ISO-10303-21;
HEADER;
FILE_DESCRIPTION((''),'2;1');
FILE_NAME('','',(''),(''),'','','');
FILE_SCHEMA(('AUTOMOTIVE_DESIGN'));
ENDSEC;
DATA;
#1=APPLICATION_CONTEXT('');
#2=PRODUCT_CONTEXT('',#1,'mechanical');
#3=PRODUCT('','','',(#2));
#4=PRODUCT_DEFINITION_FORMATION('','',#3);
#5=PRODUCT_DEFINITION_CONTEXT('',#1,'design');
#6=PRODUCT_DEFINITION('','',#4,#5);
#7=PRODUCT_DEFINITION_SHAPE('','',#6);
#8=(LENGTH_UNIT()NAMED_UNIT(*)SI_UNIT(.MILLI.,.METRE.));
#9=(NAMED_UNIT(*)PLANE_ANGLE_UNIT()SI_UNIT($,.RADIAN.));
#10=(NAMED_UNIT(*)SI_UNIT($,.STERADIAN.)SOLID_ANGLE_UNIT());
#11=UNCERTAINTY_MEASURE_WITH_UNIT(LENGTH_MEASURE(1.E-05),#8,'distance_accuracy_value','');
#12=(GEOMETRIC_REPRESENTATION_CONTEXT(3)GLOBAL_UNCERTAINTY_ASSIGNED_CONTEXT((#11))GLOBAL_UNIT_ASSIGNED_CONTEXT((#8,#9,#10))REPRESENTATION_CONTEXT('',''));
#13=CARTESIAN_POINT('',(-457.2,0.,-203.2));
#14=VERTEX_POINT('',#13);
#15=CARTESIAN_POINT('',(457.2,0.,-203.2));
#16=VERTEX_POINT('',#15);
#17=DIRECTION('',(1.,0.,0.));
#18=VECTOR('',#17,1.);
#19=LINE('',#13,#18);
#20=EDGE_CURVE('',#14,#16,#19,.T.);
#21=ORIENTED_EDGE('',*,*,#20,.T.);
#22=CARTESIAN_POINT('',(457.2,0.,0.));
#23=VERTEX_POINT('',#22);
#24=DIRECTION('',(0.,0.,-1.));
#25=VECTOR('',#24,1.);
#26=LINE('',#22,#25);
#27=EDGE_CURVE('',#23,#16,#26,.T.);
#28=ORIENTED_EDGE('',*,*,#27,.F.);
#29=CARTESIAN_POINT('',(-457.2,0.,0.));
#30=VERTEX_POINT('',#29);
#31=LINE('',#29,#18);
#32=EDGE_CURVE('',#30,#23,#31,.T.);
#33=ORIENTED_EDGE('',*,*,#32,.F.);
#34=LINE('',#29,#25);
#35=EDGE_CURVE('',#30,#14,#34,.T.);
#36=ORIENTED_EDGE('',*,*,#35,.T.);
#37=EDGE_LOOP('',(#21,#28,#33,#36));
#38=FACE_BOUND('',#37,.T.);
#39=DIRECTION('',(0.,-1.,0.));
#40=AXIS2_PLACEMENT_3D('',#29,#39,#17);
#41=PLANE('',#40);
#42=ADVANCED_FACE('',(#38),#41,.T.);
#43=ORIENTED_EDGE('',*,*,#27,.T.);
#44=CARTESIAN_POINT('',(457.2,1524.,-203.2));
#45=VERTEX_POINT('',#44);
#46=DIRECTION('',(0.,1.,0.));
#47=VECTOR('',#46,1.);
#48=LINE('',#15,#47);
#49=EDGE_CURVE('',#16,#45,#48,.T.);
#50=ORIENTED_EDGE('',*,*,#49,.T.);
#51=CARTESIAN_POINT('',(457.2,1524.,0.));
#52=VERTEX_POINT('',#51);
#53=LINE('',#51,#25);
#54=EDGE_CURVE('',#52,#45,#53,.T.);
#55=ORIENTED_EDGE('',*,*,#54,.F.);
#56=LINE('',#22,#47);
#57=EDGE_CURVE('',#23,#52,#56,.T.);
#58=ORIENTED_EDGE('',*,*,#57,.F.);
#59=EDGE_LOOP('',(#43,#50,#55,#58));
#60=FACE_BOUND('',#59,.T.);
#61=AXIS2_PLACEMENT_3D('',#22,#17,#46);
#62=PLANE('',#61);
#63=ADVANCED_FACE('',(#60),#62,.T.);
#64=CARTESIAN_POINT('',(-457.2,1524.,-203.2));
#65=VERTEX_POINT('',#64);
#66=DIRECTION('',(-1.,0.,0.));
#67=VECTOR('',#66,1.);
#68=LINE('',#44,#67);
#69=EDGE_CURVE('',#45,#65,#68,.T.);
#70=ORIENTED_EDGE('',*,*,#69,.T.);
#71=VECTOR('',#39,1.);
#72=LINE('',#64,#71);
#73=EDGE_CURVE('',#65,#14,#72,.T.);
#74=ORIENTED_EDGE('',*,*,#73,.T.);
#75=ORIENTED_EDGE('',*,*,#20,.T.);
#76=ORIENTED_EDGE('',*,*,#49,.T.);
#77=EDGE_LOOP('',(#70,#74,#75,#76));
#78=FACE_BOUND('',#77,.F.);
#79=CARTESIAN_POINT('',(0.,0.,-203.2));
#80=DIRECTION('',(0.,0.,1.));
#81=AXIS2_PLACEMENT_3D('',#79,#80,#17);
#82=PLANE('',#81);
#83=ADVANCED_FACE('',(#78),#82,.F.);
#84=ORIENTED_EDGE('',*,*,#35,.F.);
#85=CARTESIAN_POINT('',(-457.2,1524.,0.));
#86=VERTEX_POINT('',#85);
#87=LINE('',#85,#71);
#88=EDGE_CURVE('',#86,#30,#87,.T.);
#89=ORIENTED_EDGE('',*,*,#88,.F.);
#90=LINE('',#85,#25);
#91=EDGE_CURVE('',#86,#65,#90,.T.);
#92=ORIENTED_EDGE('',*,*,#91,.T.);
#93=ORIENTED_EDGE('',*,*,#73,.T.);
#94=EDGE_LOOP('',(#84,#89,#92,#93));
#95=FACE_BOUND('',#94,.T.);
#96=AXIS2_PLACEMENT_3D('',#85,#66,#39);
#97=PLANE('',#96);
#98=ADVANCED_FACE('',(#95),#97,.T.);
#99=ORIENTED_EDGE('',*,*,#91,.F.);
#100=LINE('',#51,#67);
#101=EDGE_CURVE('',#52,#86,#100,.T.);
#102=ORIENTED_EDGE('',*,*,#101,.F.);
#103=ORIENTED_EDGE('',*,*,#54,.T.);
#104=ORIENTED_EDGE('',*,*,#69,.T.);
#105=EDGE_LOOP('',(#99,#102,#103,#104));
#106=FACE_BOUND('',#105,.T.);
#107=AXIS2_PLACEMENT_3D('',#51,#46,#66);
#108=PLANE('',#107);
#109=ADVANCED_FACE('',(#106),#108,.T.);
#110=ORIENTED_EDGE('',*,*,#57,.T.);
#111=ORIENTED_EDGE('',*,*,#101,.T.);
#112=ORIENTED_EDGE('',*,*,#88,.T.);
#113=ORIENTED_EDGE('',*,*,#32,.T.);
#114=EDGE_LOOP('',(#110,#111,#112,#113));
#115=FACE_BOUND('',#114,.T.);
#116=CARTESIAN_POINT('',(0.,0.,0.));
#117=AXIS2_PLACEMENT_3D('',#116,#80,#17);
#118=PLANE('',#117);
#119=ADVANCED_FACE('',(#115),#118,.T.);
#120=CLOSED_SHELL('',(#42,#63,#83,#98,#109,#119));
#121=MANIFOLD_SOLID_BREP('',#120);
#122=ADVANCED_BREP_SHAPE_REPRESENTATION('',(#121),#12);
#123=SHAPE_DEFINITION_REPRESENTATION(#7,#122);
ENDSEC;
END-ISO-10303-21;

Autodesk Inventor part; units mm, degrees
ref_plane "PLANE IN" through (0, 0, 0) normal (0, 1, 0) x (-1, 0, 0)
ref_plane "PLANE OUT" through (0, 1524, 0) normal (0, 1, 0) x (-1, 0, 0)
ref_plane "PLANE CTR" through (0, 0, 0) normal (1, 0, 0) x (0, 1, 0)
ref_plane "PLANE RH" through (457.2, 0, 0) normal (1, 0, 0) x (0, 1, 0)
ref_plane "PLANE LH" through (-457.2, 0, 0) normal (1, 0, 0) x (0, 1, 0)
ref_plane "PLANE TOP" through (0, 0, 0) normal (0, 0, 1) x (1, 0, 0)
ref_plane "PLANE BOT" through (0, 0, -203.2) normal (0, 0, 1) x (1, 0, 0)
ref_plane "PLANE HANDLE RH" through (558.8, 0, 0) normal (1, 0, 0) x (0, 1, 0)
ref_plane "PLANE HANDLE LH" through (-558.8, 0, 0) normal (1, 0, 0) x (0, 1, 0)
ref_plane "PLANE HANDLE IN" through (0, 63.5, 0) normal (0, 1, 0) x (-1, 0, 0)
ref_plane "PLANE HANDLE OUT" through (0, 1460.5, 0) normal (0, 1, 0) x (-1, 0, 0)
ref_plane "PLANE HANDLE TOP" through (0, 0, -63.5) normal (0, 0, 1) x (1, 0, 0)
sketch "SKETCH BODY" plane through (0, 0, 0) normal (0, 0, 1) x (1, 0, 0)
  line L0 (-457.2, 0) -> (457.2, 0)
  line L1 (457.2, 0) -> (457.2, 1524)
  line L2 (457.2, 1524) -> (-457.2, 1524)
  line L3 (-457.2, 1524) -> (-457.2, 0)
  line L4 (-640.08, 0) -> (640.08, 0) projected
  line L5 (-640.08, 1524) -> (640.08, 1524) projected
  line L6 (457.2, 3657.6) -> (457.2, -609.6) projected
  line L7 (-457.2, 3657.6) -> (-457.2, -609.6) projected
extrude "EXT BODY" add sketch "SKETCH BODY" against normal blind 203.2
sketch "SKETCH HANDLE DIA" plane through (457.2, 0, 0) normal (1, 0, 0) x (0, 1, 0)
  line L0 (45.72, -63.5) -> (81.28, -63.5) projected
  line L1 (63.5, -45.72) -> (63.5, -81.28) projected
  circle A0 centre (63.5, -63.5) radius 12.7
  dimension "d79" = 25.4
sketch "SKETCH HANDLE PATH" plane through (0, 0, -63.5) normal (0, 0, 1) x (1, 0, 0)
  line L0 (558.8, 3568.7) -> (558.8, -520.7) projected
  line L1 (457.2, 3568.7) -> (457.2, -520.7) projected
  line L2 (436.88, 63.5) -> (579.12, 63.5) projected
  line L3 (436.88, 1460.5) -> (579.12, 1460.5) projected
  line L4 (457.2, 63.5) -> (558.8, 63.5)
  line L5 (558.8, 63.5) -> (558.8, 1460.5)
  line L6 (558.8, 1460.5) -> (457.2, 1460.5)
  line L7 (457.2, 1460.5) -> (457.2, 63.5) construction
feature "SWP HANDLE" [suppressed]
mirror "MIR HANDLE" [suppressed]
equation "\"d76\" = HEIGHT"
equation "\"PLANE_OUT\" = LENGTH"
equation "\"PLANE_RH\" = 0.5 * WIDTH"
equation "\"PLANE_LH\" = -0.5 * WIDTH"
equation "\"PLANE_BOT\" = -HEIGHT"
equation "\"PLANE_HANDLE_RH\" = HANDLE_OFFSET_CTR"
equation "\"PLANE_HANDLE_LH\" = -HANDLE_OFFSET_CTR"
equation "\"PLANE_HANDLE_IN\" = HANDLE_OFFSET_END"
equation "\"PLANE_HANDLE_OUT\" = LENGTH - HANDLE_OFFSET_END"
equation "\"PLANE_HANDLE_TOP\" = -HANDLE_OFFSET_TOP"
equation "\"LENGTH\" = 1524"
equation "\"WIDTH\" = 914.4"
equation "\"HEIGHT\" = 203.2"
equation "\"HANDLE_GAP\" = 101.6"
equation "\"HANDLE_OFFSET_CTR\" = 0.5 * WIDTH + HANDLE_GAP"
equation "\"HANDLE_OFFSET_END\" = 63.5"
equation "\"HANDLE_OFFSET_TOP\" = 63.5"
properties part number "ATQ-36-60-N"
